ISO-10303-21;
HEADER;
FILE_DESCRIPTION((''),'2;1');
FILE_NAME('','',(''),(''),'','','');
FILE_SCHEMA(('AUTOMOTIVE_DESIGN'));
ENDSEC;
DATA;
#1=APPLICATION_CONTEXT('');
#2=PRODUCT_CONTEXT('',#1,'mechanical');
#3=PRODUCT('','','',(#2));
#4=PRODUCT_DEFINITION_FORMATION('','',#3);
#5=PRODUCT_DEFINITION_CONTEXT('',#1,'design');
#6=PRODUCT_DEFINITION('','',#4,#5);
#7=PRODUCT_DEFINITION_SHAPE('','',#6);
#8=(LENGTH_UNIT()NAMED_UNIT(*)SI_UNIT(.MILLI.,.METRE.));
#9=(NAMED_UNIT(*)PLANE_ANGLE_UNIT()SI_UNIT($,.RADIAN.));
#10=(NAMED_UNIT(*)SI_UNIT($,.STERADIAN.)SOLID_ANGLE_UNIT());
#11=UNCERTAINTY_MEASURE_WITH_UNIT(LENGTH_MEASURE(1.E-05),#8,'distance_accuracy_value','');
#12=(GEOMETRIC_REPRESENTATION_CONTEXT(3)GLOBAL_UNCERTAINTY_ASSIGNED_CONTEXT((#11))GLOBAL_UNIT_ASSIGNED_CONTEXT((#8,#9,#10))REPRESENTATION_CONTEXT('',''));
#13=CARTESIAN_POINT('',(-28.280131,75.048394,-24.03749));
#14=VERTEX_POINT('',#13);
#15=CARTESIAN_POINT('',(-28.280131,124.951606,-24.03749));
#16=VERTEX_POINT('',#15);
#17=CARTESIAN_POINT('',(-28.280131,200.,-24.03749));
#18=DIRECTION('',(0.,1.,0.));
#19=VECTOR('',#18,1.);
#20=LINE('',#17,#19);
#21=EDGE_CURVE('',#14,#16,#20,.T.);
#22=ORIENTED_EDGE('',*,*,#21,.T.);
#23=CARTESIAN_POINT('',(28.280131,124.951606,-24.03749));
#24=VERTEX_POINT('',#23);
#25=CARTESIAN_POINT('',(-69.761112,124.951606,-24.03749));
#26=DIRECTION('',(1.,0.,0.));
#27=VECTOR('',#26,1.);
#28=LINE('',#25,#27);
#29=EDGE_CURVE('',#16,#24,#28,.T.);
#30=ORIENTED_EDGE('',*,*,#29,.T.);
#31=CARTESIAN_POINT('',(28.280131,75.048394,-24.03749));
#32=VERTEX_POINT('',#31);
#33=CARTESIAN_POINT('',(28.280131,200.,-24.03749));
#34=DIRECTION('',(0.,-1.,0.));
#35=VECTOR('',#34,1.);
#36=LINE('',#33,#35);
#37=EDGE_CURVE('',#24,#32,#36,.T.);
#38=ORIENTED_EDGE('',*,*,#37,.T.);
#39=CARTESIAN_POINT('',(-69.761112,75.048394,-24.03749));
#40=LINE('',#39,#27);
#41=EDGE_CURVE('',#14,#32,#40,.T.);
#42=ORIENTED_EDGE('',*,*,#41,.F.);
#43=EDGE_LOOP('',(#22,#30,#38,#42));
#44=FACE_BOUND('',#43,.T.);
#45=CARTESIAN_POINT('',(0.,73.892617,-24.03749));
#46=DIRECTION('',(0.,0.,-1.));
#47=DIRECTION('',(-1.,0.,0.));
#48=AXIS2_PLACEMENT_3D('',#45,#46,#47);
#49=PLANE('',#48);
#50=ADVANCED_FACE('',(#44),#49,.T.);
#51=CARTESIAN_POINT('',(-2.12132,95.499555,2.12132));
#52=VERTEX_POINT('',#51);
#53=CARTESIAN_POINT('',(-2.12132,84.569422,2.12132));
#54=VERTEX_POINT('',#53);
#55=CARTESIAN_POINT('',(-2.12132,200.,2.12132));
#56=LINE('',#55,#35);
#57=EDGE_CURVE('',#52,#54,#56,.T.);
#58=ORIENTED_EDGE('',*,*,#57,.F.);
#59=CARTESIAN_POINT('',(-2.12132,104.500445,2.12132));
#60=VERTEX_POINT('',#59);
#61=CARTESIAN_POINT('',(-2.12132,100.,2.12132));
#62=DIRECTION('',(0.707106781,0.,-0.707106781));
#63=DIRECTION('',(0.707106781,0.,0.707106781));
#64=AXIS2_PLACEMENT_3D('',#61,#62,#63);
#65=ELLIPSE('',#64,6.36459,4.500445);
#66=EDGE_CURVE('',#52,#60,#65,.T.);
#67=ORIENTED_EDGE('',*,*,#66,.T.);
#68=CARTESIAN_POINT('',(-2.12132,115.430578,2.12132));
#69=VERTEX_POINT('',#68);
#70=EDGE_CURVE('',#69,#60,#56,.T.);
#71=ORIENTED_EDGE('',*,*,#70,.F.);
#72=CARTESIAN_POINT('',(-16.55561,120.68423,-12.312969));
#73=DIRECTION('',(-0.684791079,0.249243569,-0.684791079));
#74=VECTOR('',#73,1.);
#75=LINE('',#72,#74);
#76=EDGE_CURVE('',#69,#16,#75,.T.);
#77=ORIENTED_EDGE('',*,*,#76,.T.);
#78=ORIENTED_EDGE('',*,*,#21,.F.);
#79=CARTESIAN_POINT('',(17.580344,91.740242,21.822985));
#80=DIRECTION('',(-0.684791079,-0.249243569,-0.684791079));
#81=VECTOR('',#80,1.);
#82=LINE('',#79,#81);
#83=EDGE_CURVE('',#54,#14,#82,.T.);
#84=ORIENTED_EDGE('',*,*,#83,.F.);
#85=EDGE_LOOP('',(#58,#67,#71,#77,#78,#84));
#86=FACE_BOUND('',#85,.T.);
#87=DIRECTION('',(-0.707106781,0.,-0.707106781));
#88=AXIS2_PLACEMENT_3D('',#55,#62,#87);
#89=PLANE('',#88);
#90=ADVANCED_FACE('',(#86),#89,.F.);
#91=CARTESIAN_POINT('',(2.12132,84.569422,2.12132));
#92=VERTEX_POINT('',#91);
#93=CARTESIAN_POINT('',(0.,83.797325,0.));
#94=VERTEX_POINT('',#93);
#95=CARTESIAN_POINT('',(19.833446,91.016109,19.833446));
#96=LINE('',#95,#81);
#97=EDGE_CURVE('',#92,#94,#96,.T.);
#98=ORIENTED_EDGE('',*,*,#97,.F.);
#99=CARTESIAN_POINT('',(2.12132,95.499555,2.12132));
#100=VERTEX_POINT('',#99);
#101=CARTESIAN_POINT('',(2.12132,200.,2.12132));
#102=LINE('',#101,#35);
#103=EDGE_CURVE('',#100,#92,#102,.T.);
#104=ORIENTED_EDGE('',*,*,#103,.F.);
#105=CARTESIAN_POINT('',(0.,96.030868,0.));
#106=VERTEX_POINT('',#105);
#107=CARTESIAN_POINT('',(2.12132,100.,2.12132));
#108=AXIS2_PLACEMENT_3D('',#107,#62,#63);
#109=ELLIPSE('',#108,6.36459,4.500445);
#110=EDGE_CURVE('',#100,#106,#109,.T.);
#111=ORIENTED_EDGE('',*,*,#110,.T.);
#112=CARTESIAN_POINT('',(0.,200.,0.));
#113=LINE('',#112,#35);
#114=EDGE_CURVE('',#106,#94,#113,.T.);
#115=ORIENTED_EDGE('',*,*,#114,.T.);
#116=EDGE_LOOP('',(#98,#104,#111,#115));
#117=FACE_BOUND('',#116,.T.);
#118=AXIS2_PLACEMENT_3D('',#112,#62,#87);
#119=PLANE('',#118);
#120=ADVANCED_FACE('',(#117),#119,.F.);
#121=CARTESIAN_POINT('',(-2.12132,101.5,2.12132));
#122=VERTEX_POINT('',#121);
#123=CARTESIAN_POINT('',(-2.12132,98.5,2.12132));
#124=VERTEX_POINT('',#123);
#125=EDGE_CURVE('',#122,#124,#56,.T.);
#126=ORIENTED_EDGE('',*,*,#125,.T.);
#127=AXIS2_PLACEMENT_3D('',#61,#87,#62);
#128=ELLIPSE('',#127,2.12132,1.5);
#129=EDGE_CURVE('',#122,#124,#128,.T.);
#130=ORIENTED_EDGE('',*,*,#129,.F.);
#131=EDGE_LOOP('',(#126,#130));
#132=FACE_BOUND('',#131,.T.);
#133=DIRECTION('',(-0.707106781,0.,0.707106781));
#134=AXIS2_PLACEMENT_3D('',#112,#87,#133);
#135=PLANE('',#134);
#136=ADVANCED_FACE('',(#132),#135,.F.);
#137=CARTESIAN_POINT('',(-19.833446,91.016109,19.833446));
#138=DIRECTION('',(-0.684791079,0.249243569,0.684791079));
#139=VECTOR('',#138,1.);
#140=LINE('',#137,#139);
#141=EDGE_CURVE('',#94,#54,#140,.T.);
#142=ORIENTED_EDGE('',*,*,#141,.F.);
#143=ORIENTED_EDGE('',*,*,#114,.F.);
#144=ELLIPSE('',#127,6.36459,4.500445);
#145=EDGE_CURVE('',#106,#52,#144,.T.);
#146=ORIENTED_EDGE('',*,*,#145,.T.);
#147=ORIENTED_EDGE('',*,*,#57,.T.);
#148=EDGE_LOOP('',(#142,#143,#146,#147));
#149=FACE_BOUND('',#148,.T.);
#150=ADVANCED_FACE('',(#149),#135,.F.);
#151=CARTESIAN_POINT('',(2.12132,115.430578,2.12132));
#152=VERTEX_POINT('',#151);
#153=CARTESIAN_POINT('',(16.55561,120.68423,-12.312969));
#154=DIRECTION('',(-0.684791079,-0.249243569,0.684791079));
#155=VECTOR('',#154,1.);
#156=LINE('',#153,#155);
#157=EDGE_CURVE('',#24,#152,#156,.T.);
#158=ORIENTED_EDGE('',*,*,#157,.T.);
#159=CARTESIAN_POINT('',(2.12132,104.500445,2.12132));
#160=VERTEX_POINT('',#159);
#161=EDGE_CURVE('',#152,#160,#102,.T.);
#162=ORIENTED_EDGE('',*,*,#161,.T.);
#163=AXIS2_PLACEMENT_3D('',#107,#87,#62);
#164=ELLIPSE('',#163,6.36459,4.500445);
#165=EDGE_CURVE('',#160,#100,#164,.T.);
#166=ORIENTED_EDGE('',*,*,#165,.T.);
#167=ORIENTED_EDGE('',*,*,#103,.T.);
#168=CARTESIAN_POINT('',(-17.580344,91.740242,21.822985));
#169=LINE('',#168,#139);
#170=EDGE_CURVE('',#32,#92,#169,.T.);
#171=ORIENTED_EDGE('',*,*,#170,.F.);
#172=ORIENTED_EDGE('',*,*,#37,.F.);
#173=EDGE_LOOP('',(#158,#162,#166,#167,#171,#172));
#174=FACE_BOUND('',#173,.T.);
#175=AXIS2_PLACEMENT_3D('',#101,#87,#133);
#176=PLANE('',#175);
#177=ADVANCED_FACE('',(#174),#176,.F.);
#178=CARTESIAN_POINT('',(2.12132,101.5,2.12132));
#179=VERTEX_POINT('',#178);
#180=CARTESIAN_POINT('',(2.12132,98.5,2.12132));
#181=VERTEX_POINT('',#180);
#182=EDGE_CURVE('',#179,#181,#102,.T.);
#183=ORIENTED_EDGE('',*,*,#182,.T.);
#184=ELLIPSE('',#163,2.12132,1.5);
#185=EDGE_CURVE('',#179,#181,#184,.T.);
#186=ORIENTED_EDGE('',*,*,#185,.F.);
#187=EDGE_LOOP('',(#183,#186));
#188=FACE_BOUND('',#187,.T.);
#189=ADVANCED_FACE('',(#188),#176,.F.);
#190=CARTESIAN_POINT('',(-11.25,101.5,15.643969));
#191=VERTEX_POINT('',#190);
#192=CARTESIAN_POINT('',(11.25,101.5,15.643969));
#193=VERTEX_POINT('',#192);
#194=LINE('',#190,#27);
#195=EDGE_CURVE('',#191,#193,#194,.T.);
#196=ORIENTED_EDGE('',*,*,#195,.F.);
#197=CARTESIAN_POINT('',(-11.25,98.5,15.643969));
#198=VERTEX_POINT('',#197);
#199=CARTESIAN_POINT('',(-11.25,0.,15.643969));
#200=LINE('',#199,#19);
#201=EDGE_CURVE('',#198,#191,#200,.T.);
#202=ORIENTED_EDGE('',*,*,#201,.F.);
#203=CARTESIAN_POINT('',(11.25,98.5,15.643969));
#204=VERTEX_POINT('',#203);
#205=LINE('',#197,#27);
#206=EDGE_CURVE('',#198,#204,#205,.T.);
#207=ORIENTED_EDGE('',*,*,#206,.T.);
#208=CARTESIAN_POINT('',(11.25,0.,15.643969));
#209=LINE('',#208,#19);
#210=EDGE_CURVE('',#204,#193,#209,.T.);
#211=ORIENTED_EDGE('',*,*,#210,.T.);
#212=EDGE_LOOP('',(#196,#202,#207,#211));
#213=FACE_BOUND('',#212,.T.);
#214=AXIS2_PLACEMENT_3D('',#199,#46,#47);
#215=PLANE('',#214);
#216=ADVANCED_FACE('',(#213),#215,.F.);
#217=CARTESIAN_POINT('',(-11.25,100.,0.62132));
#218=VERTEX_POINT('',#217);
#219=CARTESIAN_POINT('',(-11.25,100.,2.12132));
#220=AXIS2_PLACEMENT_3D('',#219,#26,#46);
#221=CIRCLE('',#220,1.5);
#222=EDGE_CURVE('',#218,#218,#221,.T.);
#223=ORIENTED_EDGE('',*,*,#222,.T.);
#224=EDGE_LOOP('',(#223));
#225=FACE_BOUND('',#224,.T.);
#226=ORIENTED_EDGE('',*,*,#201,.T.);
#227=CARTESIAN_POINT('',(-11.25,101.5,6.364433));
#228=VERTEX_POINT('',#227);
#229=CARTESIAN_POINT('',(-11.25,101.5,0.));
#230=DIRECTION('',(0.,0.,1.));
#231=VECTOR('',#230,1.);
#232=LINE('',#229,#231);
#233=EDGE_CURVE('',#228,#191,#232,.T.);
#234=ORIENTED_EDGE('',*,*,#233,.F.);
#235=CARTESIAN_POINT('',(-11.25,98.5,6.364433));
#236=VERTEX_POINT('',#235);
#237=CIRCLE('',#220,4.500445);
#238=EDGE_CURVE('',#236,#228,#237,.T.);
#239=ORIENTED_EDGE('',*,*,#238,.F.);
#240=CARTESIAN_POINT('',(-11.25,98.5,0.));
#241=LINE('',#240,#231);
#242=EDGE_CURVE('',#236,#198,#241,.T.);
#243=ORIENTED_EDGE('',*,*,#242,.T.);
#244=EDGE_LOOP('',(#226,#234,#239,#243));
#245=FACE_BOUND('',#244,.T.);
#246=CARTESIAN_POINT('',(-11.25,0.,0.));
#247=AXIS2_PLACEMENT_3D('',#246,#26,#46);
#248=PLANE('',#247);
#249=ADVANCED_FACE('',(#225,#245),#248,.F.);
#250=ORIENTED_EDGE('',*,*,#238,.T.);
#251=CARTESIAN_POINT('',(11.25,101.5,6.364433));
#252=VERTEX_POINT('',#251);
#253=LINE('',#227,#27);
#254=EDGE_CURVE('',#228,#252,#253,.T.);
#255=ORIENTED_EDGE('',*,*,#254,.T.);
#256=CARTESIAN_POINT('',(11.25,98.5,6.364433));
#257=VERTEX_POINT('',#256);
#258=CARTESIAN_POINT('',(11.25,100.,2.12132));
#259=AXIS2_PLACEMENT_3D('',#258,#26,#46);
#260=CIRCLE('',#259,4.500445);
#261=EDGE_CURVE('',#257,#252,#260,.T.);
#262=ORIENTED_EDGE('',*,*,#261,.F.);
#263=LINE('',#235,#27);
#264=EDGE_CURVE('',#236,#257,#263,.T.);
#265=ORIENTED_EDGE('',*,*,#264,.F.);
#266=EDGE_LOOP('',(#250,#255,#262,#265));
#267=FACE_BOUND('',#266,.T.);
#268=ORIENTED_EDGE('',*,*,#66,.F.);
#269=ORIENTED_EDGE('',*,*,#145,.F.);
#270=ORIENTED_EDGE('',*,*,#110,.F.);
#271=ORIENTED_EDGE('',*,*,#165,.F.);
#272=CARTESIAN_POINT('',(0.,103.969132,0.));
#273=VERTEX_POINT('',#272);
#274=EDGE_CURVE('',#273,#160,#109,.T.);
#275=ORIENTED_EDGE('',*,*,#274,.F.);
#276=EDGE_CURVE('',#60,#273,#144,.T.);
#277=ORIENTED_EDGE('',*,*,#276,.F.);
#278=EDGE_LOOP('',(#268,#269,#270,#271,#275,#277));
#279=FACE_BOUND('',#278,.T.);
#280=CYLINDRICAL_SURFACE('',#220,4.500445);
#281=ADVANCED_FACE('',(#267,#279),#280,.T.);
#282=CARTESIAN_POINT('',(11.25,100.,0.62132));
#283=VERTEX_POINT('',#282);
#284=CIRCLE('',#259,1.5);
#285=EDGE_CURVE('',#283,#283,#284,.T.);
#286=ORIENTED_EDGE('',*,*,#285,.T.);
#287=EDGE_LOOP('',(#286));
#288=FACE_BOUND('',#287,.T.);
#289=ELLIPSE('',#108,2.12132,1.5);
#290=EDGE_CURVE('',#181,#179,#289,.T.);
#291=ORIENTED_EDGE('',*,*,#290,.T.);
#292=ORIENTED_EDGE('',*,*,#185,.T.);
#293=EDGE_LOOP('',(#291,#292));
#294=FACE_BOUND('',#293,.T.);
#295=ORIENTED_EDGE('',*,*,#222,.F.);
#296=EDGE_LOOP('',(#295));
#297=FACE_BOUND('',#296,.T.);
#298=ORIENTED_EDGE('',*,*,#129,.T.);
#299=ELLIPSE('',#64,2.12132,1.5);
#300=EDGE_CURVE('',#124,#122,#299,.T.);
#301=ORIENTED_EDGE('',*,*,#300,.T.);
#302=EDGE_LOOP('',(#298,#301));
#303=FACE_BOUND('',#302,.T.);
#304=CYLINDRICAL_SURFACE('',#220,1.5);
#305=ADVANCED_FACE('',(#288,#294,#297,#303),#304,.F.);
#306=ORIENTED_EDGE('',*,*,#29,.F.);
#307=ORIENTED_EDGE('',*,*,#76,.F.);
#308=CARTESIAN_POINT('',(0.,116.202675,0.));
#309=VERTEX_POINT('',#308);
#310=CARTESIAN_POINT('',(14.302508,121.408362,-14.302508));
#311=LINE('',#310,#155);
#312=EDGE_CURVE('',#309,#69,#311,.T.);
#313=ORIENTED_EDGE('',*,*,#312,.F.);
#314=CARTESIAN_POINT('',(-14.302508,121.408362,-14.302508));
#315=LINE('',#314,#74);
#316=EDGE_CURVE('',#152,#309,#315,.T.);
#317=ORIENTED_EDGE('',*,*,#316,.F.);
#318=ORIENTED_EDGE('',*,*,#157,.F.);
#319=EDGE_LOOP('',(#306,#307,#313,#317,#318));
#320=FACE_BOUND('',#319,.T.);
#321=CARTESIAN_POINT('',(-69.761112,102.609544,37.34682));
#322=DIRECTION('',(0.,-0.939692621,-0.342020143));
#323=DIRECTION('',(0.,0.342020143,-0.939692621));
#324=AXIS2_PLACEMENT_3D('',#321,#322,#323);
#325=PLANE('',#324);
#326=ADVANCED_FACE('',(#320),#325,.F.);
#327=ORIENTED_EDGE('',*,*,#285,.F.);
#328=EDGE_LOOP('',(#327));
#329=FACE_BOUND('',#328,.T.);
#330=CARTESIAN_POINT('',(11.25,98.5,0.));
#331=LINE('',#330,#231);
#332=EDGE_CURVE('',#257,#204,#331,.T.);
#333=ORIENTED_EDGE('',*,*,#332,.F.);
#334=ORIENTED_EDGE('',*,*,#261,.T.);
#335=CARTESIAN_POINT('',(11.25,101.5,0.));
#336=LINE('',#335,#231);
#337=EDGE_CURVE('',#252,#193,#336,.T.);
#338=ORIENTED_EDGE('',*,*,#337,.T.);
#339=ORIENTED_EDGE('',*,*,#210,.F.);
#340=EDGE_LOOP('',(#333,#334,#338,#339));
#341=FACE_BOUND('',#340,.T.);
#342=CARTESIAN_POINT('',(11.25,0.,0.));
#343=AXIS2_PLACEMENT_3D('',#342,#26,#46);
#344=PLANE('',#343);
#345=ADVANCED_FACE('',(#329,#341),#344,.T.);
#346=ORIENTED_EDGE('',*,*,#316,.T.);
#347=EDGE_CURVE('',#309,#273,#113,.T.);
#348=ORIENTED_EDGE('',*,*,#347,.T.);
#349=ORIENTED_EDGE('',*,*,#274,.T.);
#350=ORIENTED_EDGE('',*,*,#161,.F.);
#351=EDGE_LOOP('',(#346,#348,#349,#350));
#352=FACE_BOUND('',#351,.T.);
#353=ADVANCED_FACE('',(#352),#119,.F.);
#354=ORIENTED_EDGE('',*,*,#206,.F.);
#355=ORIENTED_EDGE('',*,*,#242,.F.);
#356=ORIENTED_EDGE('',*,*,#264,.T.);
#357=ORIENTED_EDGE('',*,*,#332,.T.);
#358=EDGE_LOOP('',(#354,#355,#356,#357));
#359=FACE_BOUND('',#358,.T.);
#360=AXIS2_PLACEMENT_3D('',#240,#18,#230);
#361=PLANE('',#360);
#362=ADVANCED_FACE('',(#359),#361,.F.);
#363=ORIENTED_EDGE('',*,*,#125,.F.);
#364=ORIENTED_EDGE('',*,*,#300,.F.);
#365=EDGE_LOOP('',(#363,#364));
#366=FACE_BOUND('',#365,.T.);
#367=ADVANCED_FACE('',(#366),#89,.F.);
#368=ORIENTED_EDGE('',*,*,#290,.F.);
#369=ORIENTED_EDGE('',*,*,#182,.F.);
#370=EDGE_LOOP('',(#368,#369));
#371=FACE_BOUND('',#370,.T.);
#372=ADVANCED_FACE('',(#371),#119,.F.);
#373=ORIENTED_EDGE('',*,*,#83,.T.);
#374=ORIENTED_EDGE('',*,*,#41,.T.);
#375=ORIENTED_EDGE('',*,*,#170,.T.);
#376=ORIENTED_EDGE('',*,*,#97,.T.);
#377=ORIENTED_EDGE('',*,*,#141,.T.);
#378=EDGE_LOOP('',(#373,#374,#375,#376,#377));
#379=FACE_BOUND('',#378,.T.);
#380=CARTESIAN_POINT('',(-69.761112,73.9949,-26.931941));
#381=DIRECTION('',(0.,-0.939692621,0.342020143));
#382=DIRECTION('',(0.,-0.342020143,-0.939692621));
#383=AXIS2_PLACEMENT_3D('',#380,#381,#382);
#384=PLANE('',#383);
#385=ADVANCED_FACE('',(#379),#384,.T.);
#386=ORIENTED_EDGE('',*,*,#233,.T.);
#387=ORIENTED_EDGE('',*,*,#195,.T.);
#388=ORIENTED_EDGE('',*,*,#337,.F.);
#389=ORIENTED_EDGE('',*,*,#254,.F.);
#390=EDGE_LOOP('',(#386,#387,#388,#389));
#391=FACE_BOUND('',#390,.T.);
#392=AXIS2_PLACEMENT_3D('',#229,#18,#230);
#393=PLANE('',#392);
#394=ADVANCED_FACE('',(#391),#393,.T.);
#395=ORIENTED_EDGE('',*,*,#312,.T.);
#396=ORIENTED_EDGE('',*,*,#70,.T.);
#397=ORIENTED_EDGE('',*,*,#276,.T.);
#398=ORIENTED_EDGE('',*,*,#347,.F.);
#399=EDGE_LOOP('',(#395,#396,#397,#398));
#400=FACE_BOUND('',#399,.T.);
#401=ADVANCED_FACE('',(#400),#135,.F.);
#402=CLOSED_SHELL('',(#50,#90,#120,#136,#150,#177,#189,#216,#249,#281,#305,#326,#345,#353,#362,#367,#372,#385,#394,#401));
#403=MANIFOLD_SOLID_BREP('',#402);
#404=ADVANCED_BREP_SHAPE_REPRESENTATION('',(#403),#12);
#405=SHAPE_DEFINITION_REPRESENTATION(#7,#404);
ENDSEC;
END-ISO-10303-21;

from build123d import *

# Parameters (mm, degrees)
EXTRUDE_1_DEPTH          = 200
CUT_EXTRUDE_1_DEPTH      = 222.718927326
CUT_EXTRUDE_1_DEPTH_BACK = 222.718927326
SKETCH_2_R               = 150
SKETCH_2_R_2             = 1.5
EXTRUDE_4_DEPTH          = 11.25
EXTRUDE_4_DEPTH_BACK     = 11.25
SKETCH_5_R               = 1.5
CUT_EXTRUDE_2_DEPTH      = 133.789577673
CUT_EXTRUDE_2_DEPTH_BACK = 133.789577673


with BuildPart() as part:
    # Эскиз1 → Бобышка-Вытянуть1 (new body)
    with BuildSketch(Plane(origin=(0, 0, 0), x_dir=(1, 0, 0), z_dir=(0, 1, 0))):
        Polygon((-63.065580883, 65.518470958), (69.761111645, 65.518470958), (2.121320344, -2.121320344), (0, 0), (-2.121320344, -2.121320344), (-69.761111645, 65.518470958), align=None)
    extrude(amount=EXTRUDE_1_DEPTH)

    # Эскиз2 → Вырез-Вытянуть1 (cut, two sides: drawn at the far end of the back side and taken through both)
    with BuildSketch(Plane(origin=(0, 0, 0), x_dir=(0, 0, -1), z_dir=(1, 0, 0)).offset(-CUT_EXTRUDE_1_DEPTH_BACK)):
        with Locations((-2.121320344, 100)):
            Circle(SKETCH_2_R)
        with Locations((-2.121320344, 100)):
            Circle(SKETCH_2_R_2, mode=Mode.SUBTRACT)
        Polygon((27.212959944, 126.107382569), (27.212959944, 73.892617431), (-7.080612422, 86.374456999), (-2.121320344, 100), (-7.080612422, 113.625543001), align=None, mode=Mode.SUBTRACT)
    extrude(amount=CUT_EXTRUDE_1_DEPTH + CUT_EXTRUDE_1_DEPTH_BACK, mode=Mode.SUBTRACT)

    # Эскиз5 → Бобышка-Вытянуть4 (add, two sides: drawn at the far end of the back side and taken through both)
    with BuildSketch(Plane(origin=(0, 0, 0), x_dir=(0, 0, -1), z_dir=(1, 0, 0)).offset(-EXTRUDE_4_DEPTH_BACK)):
        with BuildLine():
            ThreePointArc((-6.364433098, 98.5), (2.379124729, 100), (-6.364433098, 101.5))
            Line((-6.364433098, 101.5), (-15.643969281, 101.5))
            Line((-15.643969281, 101.5), (-15.643969281, 98.5))
            Line((-15.643969281, 98.5), (-6.364433098, 98.5))
        make_face()
        with Locations((-2.121320344, 100)):
            Circle(SKETCH_5_R, mode=Mode.SUBTRACT)
    extrude(amount=EXTRUDE_4_DEPTH + EXTRUDE_4_DEPTH_BACK)

    # Эскиз6 → Вырез-Вытянуть2 (cut, two sides: drawn at the far end of the back side and taken through both)
    with BuildSketch(Plane(origin=(0, 0, 0), x_dir=(1, 0, 0), z_dir=(0, 1, 0)).offset(-CUT_EXTRUDE_2_DEPTH_BACK)):
        Polygon((-50.182829752, 24.037490431), (0, 24.037490431), (93.439383522, 24.037490431), (93.439383522, 164.04737871), (-160.316075238, 164.04737871), (-160.316075238, 24.037490431), align=None)
    extrude(amount=CUT_EXTRUDE_2_DEPTH + CUT_EXTRUDE_2_DEPTH_BACK, mode=Mode.SUBTRACT)


solid = part.part
